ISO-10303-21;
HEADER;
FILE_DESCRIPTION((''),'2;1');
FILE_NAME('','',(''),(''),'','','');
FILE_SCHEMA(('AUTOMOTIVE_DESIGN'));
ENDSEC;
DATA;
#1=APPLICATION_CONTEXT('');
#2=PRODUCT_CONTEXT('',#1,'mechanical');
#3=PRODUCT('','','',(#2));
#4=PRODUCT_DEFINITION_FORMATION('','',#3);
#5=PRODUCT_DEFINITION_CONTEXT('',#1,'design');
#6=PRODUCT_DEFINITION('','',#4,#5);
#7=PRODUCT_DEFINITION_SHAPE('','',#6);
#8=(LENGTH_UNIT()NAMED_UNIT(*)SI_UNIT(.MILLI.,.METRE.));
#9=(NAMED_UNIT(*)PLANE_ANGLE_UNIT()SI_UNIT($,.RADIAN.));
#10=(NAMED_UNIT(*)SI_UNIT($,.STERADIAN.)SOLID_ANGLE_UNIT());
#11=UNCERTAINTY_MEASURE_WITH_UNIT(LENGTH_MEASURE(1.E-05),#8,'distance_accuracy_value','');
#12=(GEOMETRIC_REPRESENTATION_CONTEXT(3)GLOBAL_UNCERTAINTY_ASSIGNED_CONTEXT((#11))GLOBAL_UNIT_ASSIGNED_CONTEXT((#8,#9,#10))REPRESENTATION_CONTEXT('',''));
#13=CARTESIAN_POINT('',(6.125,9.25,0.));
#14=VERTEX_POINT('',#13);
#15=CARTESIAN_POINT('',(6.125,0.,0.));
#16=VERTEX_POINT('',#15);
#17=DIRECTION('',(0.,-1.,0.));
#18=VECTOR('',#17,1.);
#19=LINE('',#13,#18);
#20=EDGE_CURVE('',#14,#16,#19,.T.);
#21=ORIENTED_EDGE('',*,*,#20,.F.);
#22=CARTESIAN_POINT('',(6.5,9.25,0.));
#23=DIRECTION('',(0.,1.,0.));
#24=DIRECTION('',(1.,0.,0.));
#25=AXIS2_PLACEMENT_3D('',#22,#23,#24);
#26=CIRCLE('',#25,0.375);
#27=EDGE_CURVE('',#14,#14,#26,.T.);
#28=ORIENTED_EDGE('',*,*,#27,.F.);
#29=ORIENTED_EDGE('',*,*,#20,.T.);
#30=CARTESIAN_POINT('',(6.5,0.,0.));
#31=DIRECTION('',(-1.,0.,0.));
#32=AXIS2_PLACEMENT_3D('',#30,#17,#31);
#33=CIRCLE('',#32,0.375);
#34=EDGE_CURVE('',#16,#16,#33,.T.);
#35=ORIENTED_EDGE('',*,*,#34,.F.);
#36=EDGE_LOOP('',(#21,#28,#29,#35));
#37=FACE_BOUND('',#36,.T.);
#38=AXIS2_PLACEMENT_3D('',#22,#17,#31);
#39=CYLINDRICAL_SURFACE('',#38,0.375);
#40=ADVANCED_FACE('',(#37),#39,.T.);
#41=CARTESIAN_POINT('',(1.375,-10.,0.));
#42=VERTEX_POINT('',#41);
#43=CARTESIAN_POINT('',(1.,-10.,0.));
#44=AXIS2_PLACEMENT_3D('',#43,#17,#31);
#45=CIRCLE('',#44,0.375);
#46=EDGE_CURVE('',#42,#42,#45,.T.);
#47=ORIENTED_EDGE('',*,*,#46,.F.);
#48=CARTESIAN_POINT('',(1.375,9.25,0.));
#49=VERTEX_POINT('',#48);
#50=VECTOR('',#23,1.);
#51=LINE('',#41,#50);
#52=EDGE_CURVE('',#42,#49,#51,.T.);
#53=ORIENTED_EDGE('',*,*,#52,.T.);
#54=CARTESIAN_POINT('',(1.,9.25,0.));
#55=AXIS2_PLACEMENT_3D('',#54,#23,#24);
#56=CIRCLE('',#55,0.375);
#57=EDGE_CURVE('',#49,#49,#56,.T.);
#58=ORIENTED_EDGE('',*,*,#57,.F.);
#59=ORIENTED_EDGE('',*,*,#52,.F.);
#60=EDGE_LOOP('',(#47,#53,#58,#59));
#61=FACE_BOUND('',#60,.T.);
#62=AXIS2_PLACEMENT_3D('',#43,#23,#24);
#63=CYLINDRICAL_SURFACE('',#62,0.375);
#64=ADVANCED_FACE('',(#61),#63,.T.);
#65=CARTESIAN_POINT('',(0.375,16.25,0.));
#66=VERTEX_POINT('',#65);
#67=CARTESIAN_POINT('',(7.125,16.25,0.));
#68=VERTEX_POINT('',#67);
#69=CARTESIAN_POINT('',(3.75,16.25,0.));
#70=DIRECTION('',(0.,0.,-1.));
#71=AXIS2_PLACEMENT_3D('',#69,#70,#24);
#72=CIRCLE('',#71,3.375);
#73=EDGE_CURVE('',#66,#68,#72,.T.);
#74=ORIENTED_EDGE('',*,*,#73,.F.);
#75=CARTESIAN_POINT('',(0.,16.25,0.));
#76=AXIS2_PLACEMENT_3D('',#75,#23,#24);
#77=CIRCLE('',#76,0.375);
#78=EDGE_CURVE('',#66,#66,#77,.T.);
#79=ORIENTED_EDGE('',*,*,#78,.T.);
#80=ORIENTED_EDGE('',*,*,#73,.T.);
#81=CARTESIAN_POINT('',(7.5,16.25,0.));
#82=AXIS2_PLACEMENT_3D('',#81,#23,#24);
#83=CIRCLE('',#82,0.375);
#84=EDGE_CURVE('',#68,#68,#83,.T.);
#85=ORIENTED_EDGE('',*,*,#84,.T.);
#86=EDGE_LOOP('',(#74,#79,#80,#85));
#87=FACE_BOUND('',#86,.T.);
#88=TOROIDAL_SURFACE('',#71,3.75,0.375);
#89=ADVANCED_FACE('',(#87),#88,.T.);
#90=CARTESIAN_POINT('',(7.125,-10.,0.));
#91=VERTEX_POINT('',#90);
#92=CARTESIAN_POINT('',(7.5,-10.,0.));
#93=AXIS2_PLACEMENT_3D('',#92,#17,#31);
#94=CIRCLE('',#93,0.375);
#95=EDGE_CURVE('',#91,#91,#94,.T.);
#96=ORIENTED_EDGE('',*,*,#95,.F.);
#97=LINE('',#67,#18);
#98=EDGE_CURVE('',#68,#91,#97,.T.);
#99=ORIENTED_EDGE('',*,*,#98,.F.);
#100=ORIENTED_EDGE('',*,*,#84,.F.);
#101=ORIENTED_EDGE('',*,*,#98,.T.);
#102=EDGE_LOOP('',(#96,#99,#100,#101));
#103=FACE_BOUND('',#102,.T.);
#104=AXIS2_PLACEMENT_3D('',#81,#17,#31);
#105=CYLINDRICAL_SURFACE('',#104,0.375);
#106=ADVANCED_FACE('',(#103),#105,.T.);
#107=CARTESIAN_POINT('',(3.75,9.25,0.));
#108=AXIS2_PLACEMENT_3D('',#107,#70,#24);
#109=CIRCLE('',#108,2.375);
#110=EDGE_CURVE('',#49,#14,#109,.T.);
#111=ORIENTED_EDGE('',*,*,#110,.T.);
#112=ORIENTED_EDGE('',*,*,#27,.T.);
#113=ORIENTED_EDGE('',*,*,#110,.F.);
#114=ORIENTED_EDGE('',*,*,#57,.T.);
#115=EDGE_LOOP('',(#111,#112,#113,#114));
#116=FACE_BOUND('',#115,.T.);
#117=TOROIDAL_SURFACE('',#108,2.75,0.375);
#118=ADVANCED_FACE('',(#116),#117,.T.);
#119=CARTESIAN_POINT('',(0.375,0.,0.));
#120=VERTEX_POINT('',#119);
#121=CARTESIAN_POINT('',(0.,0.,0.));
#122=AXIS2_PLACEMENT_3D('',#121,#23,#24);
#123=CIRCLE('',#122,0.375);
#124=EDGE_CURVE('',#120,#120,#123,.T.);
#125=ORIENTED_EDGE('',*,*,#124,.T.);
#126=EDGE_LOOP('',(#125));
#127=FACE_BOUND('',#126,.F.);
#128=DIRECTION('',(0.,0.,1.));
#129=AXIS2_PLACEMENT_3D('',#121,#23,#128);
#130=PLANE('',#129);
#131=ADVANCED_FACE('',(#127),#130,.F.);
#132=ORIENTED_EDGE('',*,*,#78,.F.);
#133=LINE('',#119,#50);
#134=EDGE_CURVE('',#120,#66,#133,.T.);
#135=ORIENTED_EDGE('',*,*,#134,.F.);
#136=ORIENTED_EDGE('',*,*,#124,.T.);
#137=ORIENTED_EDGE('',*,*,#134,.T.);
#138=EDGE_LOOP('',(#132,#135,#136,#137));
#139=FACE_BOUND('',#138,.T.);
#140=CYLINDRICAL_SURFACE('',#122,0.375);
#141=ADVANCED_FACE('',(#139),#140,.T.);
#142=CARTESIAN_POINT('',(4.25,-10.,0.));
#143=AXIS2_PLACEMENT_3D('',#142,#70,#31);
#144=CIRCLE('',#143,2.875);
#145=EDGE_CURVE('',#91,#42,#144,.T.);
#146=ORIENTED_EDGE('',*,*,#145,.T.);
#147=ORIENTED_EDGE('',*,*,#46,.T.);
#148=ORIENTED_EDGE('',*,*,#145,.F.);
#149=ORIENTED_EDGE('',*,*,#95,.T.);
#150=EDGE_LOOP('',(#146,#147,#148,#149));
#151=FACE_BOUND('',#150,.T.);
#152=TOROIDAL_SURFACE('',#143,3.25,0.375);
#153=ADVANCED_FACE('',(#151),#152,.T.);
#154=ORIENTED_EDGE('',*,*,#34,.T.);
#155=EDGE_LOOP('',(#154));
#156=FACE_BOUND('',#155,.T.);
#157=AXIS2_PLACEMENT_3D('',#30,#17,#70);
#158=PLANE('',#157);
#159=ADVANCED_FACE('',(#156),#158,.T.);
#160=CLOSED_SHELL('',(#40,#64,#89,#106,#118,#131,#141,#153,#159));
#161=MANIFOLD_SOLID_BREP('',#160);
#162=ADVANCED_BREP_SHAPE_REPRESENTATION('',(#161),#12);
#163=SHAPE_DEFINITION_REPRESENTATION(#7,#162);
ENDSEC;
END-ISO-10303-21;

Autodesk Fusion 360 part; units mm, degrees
sketch "Sweep Path" plane through (0, 0, 0) normal (0, 0, 1) x (1, 0, 0)
  line L0 (0, 0) -> (0, 16.25)
  line L1 (0, 16.25) -> (7.5, 16.25) construction
  line L2 (7.5, 16.25) -> (7.5, -10)
  line L3 (7.5, -10) -> (1, -10) construction
  line L4 (1, -10) -> (1, 9.25)
  line L5 (1, 9.25) -> (6.5, 9.25) construction
  line L6 (6.5, 9.25) -> (6.5, 0)
  arc A0 (7.5, 16.25) -> (0, 16.25) centre (3.75, 16.25) ccw
  arc A1 (1, -10) -> (7.5, -10) centre (4.25, -10) ccw
  arc A2 (6.5, 9.25) -> (1, 9.25) centre (3.75, 9.25) ccw
  dimension "d1" = 16.25
  dimension "d2" = 7.5
  dimension "d3" = 26.25
  dimension "d4" = 6.5
  dimension "d5" = 19.25
  dimension "d6" = 5.5
  dimension "d7" = 9.25
sketch "Sweep Profile" plane through (0, 0, 0) normal (0, 1, 0) x (1, 0, 0)
  circle A0 centre (0, 0) radius 0.375
  dimension "d8" = 0.75
sweep "Sweep1" add profiles "Sweep Profile" path "Sweep Path" along L0 A0 L2 A1 L4 A2 L6 section 1
